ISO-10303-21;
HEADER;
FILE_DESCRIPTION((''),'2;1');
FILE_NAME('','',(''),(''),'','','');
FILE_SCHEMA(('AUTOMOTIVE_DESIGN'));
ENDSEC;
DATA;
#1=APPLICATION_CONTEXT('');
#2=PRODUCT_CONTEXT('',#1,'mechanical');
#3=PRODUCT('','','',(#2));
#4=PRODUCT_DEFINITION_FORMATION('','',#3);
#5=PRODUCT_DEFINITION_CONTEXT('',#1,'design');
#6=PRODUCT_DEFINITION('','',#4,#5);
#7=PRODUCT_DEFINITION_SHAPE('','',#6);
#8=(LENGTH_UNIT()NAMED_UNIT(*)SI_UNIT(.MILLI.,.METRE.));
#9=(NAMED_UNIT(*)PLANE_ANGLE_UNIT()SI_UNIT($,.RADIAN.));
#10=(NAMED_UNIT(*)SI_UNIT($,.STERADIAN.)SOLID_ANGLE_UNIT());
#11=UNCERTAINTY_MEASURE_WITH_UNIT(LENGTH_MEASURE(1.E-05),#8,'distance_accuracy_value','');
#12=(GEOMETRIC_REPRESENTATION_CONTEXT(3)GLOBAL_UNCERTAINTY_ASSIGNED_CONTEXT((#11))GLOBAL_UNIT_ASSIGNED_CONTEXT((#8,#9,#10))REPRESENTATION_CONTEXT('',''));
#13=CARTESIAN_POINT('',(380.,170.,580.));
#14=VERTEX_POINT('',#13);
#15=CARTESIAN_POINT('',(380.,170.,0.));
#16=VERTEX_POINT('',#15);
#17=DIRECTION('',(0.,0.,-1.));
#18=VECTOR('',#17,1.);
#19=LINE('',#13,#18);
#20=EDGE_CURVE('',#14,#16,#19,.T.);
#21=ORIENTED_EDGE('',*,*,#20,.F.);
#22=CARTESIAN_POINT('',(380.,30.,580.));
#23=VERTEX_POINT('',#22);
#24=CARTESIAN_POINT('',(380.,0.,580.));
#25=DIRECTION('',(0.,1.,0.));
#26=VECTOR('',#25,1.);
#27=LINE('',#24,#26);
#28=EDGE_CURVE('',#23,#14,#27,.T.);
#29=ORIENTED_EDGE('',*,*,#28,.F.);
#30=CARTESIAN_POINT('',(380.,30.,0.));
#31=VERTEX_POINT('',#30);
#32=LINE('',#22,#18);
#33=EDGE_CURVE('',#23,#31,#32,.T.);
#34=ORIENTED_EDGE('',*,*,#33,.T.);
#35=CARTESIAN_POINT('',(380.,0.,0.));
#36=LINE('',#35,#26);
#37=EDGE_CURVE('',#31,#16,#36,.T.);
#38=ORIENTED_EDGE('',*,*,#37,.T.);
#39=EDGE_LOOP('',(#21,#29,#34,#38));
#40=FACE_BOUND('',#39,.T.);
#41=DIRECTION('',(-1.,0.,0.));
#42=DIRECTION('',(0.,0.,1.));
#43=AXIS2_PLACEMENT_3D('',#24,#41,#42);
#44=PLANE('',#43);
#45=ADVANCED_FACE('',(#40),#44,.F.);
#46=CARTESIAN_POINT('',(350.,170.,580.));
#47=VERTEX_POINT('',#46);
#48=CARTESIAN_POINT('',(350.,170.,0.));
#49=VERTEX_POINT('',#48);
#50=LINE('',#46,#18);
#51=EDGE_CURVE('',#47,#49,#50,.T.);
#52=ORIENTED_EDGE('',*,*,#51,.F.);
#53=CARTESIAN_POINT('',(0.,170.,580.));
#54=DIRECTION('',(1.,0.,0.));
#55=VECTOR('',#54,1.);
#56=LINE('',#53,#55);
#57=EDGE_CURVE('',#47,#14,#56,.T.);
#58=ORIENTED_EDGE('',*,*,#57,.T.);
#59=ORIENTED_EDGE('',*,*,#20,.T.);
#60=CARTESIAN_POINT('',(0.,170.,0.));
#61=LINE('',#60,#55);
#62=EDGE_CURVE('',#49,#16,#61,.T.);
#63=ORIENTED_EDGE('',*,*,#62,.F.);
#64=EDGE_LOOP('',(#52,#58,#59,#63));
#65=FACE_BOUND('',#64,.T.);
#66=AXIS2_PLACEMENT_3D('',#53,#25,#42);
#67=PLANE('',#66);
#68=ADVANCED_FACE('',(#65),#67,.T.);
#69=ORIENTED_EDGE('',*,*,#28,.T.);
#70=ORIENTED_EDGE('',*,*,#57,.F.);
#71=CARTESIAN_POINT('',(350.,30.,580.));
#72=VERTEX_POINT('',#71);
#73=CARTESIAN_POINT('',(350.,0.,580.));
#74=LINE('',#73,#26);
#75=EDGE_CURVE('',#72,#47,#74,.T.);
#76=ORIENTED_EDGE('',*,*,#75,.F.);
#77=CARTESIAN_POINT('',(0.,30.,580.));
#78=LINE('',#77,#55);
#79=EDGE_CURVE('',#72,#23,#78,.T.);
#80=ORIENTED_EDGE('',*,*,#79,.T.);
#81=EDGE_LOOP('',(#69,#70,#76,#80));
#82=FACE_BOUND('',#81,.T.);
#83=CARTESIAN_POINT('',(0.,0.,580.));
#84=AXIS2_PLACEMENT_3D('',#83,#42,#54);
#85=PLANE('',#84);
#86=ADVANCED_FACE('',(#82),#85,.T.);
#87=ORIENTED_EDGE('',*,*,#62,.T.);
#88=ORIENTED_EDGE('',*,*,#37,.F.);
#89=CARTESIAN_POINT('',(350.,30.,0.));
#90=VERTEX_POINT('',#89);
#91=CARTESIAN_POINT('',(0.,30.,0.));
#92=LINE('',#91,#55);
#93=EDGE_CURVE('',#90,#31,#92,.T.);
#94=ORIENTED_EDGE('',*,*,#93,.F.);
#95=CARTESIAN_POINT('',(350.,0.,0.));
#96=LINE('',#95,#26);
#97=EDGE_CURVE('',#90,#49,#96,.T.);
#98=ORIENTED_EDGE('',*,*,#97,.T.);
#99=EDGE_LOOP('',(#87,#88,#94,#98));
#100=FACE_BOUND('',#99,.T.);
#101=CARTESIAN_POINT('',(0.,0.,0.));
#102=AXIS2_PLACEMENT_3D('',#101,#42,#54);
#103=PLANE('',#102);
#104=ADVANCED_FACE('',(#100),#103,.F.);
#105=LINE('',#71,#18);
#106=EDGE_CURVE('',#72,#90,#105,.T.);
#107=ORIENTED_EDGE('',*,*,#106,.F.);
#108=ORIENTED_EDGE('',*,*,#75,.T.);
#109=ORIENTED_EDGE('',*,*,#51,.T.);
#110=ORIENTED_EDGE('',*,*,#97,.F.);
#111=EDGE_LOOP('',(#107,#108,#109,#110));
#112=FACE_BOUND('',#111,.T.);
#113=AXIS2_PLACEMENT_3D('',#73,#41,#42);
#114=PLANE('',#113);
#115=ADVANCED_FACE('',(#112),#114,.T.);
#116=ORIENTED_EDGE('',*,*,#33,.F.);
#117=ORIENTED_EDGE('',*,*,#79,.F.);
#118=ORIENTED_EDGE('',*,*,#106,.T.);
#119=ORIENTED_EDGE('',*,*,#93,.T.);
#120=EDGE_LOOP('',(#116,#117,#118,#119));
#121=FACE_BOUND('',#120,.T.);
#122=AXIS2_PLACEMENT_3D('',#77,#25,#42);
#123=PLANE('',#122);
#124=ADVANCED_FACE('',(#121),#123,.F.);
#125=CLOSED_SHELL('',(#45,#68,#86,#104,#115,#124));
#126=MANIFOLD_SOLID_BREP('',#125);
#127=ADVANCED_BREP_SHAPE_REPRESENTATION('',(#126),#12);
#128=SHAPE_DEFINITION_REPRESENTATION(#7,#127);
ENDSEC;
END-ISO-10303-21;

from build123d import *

# Parameters (mm, degrees)
ESQUISSE1_W        = 30
ESQUISSE1_H        = 140
BOSS_EXTRU_1_DEPTH = 580


with BuildPart() as part:
    # Esquisse1 → Boss.-Extru.1 (new body)
    with BuildSketch(Plane.XY):
        with Locations((365, 100)):
            Rectangle(ESQUISSE1_W, ESQUISSE1_H)
    extrude(amount=BOSS_EXTRU_1_DEPTH)


solid = part.part
